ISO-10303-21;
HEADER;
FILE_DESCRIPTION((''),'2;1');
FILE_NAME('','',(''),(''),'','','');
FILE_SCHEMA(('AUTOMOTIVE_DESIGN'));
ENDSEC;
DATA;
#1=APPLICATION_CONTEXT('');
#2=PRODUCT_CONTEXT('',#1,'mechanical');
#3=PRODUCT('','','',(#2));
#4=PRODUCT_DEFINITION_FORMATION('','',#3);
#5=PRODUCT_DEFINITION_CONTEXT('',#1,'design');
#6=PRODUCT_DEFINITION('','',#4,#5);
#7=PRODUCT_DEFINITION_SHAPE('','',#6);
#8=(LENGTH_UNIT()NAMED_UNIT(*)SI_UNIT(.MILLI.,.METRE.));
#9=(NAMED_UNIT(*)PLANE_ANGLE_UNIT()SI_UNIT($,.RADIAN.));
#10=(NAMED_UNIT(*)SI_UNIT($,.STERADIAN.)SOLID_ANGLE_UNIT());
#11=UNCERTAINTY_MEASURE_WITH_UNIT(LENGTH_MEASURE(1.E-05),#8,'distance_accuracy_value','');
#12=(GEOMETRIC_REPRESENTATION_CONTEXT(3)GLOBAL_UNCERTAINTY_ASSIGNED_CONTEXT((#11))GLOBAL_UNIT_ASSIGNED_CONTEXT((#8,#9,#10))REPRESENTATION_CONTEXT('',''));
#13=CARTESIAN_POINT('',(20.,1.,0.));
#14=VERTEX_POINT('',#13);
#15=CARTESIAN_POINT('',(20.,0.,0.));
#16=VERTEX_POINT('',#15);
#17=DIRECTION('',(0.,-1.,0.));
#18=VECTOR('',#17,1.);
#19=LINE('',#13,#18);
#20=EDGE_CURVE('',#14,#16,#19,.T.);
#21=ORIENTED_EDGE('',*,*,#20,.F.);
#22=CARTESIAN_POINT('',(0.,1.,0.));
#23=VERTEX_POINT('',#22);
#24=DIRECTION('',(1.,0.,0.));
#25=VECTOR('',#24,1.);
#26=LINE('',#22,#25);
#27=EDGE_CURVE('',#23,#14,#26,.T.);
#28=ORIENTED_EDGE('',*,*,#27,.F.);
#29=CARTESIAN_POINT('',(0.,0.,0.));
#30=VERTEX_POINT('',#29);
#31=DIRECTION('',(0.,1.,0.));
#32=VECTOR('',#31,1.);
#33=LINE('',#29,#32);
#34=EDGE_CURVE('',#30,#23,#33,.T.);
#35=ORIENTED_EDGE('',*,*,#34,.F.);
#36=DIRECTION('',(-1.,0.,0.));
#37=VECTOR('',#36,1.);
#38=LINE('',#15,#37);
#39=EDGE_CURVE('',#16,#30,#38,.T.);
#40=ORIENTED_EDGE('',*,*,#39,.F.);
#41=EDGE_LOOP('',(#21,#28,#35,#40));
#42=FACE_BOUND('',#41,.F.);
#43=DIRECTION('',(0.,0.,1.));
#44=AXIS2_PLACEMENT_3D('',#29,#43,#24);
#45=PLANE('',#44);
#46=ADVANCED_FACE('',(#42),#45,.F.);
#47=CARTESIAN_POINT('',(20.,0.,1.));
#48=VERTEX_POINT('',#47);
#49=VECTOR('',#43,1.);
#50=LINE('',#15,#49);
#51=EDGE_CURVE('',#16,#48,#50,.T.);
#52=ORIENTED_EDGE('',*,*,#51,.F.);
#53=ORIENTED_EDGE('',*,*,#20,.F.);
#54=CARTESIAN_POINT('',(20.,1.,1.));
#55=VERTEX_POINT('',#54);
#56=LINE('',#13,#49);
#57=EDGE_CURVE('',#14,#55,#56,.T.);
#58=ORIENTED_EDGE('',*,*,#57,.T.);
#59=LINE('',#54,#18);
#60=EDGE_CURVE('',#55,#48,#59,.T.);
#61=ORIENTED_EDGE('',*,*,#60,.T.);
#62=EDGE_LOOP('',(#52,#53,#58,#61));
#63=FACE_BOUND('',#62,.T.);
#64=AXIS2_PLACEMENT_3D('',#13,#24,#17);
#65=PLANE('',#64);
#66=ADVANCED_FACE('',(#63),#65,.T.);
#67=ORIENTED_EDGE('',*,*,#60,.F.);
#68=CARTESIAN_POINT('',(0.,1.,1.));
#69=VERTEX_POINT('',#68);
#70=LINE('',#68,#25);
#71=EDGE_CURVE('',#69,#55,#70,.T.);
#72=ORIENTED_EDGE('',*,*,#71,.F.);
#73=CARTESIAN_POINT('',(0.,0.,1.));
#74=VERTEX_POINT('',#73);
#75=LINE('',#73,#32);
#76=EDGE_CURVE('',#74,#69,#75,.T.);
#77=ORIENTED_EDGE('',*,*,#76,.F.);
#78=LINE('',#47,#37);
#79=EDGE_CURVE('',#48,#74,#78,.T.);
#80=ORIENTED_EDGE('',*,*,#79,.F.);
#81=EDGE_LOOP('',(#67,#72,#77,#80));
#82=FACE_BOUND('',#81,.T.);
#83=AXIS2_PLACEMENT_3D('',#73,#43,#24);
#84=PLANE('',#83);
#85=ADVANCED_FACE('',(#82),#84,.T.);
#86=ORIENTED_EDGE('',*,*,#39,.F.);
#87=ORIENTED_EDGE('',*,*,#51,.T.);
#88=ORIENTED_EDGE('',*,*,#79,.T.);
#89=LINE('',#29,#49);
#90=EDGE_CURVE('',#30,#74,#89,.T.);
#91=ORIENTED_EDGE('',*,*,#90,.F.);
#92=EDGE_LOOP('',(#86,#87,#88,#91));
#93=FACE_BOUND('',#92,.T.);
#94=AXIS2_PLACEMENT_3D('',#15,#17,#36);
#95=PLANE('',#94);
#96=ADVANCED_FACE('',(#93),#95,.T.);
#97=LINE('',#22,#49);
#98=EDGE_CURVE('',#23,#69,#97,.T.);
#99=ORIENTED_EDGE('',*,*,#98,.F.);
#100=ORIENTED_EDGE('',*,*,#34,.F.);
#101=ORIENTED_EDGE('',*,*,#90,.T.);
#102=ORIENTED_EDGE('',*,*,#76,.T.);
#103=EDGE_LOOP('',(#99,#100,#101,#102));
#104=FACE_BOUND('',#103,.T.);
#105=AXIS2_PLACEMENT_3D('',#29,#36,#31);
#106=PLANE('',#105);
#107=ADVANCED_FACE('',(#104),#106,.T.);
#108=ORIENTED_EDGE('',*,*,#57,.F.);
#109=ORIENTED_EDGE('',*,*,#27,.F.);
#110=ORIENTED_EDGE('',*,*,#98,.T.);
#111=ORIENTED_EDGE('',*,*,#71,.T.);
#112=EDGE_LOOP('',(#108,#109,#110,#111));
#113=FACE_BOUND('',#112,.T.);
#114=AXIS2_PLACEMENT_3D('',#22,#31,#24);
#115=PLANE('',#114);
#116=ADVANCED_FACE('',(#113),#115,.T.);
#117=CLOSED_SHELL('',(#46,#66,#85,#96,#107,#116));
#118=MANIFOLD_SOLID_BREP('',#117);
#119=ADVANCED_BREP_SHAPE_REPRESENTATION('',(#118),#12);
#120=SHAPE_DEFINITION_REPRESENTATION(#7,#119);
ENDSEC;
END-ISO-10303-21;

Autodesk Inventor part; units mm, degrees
ref_plane "YZ Plane" through (0, 0, 0) normal (1, 0, 0) x (0, 1, 0)
ref_plane "XZ Plane" through (0, 0, 0) normal (0, 1, 0) x (-1, 0, 0)
ref_plane "XY Plane" through (0, 0, 0) normal (0, 0, 1) x (1, 0, 0)
sketch "Szkic1" plane through (0, 0, 0) normal (0, 0, 1) x (1, 0, 0)
  line L0 (0, 0) -> (0, 1)
  line L1 (0, 1) -> (20, 1)
  line L2 (20, 1) -> (20, 0)
  line L3 (20, 0) -> (0, 0)
  dimension "d0" = 1
  dimension "d1" = 20
extrude "Wyciągnięcie proste1" add sketch "Szkic1" along normal blind 1
properties part number "przewód"
